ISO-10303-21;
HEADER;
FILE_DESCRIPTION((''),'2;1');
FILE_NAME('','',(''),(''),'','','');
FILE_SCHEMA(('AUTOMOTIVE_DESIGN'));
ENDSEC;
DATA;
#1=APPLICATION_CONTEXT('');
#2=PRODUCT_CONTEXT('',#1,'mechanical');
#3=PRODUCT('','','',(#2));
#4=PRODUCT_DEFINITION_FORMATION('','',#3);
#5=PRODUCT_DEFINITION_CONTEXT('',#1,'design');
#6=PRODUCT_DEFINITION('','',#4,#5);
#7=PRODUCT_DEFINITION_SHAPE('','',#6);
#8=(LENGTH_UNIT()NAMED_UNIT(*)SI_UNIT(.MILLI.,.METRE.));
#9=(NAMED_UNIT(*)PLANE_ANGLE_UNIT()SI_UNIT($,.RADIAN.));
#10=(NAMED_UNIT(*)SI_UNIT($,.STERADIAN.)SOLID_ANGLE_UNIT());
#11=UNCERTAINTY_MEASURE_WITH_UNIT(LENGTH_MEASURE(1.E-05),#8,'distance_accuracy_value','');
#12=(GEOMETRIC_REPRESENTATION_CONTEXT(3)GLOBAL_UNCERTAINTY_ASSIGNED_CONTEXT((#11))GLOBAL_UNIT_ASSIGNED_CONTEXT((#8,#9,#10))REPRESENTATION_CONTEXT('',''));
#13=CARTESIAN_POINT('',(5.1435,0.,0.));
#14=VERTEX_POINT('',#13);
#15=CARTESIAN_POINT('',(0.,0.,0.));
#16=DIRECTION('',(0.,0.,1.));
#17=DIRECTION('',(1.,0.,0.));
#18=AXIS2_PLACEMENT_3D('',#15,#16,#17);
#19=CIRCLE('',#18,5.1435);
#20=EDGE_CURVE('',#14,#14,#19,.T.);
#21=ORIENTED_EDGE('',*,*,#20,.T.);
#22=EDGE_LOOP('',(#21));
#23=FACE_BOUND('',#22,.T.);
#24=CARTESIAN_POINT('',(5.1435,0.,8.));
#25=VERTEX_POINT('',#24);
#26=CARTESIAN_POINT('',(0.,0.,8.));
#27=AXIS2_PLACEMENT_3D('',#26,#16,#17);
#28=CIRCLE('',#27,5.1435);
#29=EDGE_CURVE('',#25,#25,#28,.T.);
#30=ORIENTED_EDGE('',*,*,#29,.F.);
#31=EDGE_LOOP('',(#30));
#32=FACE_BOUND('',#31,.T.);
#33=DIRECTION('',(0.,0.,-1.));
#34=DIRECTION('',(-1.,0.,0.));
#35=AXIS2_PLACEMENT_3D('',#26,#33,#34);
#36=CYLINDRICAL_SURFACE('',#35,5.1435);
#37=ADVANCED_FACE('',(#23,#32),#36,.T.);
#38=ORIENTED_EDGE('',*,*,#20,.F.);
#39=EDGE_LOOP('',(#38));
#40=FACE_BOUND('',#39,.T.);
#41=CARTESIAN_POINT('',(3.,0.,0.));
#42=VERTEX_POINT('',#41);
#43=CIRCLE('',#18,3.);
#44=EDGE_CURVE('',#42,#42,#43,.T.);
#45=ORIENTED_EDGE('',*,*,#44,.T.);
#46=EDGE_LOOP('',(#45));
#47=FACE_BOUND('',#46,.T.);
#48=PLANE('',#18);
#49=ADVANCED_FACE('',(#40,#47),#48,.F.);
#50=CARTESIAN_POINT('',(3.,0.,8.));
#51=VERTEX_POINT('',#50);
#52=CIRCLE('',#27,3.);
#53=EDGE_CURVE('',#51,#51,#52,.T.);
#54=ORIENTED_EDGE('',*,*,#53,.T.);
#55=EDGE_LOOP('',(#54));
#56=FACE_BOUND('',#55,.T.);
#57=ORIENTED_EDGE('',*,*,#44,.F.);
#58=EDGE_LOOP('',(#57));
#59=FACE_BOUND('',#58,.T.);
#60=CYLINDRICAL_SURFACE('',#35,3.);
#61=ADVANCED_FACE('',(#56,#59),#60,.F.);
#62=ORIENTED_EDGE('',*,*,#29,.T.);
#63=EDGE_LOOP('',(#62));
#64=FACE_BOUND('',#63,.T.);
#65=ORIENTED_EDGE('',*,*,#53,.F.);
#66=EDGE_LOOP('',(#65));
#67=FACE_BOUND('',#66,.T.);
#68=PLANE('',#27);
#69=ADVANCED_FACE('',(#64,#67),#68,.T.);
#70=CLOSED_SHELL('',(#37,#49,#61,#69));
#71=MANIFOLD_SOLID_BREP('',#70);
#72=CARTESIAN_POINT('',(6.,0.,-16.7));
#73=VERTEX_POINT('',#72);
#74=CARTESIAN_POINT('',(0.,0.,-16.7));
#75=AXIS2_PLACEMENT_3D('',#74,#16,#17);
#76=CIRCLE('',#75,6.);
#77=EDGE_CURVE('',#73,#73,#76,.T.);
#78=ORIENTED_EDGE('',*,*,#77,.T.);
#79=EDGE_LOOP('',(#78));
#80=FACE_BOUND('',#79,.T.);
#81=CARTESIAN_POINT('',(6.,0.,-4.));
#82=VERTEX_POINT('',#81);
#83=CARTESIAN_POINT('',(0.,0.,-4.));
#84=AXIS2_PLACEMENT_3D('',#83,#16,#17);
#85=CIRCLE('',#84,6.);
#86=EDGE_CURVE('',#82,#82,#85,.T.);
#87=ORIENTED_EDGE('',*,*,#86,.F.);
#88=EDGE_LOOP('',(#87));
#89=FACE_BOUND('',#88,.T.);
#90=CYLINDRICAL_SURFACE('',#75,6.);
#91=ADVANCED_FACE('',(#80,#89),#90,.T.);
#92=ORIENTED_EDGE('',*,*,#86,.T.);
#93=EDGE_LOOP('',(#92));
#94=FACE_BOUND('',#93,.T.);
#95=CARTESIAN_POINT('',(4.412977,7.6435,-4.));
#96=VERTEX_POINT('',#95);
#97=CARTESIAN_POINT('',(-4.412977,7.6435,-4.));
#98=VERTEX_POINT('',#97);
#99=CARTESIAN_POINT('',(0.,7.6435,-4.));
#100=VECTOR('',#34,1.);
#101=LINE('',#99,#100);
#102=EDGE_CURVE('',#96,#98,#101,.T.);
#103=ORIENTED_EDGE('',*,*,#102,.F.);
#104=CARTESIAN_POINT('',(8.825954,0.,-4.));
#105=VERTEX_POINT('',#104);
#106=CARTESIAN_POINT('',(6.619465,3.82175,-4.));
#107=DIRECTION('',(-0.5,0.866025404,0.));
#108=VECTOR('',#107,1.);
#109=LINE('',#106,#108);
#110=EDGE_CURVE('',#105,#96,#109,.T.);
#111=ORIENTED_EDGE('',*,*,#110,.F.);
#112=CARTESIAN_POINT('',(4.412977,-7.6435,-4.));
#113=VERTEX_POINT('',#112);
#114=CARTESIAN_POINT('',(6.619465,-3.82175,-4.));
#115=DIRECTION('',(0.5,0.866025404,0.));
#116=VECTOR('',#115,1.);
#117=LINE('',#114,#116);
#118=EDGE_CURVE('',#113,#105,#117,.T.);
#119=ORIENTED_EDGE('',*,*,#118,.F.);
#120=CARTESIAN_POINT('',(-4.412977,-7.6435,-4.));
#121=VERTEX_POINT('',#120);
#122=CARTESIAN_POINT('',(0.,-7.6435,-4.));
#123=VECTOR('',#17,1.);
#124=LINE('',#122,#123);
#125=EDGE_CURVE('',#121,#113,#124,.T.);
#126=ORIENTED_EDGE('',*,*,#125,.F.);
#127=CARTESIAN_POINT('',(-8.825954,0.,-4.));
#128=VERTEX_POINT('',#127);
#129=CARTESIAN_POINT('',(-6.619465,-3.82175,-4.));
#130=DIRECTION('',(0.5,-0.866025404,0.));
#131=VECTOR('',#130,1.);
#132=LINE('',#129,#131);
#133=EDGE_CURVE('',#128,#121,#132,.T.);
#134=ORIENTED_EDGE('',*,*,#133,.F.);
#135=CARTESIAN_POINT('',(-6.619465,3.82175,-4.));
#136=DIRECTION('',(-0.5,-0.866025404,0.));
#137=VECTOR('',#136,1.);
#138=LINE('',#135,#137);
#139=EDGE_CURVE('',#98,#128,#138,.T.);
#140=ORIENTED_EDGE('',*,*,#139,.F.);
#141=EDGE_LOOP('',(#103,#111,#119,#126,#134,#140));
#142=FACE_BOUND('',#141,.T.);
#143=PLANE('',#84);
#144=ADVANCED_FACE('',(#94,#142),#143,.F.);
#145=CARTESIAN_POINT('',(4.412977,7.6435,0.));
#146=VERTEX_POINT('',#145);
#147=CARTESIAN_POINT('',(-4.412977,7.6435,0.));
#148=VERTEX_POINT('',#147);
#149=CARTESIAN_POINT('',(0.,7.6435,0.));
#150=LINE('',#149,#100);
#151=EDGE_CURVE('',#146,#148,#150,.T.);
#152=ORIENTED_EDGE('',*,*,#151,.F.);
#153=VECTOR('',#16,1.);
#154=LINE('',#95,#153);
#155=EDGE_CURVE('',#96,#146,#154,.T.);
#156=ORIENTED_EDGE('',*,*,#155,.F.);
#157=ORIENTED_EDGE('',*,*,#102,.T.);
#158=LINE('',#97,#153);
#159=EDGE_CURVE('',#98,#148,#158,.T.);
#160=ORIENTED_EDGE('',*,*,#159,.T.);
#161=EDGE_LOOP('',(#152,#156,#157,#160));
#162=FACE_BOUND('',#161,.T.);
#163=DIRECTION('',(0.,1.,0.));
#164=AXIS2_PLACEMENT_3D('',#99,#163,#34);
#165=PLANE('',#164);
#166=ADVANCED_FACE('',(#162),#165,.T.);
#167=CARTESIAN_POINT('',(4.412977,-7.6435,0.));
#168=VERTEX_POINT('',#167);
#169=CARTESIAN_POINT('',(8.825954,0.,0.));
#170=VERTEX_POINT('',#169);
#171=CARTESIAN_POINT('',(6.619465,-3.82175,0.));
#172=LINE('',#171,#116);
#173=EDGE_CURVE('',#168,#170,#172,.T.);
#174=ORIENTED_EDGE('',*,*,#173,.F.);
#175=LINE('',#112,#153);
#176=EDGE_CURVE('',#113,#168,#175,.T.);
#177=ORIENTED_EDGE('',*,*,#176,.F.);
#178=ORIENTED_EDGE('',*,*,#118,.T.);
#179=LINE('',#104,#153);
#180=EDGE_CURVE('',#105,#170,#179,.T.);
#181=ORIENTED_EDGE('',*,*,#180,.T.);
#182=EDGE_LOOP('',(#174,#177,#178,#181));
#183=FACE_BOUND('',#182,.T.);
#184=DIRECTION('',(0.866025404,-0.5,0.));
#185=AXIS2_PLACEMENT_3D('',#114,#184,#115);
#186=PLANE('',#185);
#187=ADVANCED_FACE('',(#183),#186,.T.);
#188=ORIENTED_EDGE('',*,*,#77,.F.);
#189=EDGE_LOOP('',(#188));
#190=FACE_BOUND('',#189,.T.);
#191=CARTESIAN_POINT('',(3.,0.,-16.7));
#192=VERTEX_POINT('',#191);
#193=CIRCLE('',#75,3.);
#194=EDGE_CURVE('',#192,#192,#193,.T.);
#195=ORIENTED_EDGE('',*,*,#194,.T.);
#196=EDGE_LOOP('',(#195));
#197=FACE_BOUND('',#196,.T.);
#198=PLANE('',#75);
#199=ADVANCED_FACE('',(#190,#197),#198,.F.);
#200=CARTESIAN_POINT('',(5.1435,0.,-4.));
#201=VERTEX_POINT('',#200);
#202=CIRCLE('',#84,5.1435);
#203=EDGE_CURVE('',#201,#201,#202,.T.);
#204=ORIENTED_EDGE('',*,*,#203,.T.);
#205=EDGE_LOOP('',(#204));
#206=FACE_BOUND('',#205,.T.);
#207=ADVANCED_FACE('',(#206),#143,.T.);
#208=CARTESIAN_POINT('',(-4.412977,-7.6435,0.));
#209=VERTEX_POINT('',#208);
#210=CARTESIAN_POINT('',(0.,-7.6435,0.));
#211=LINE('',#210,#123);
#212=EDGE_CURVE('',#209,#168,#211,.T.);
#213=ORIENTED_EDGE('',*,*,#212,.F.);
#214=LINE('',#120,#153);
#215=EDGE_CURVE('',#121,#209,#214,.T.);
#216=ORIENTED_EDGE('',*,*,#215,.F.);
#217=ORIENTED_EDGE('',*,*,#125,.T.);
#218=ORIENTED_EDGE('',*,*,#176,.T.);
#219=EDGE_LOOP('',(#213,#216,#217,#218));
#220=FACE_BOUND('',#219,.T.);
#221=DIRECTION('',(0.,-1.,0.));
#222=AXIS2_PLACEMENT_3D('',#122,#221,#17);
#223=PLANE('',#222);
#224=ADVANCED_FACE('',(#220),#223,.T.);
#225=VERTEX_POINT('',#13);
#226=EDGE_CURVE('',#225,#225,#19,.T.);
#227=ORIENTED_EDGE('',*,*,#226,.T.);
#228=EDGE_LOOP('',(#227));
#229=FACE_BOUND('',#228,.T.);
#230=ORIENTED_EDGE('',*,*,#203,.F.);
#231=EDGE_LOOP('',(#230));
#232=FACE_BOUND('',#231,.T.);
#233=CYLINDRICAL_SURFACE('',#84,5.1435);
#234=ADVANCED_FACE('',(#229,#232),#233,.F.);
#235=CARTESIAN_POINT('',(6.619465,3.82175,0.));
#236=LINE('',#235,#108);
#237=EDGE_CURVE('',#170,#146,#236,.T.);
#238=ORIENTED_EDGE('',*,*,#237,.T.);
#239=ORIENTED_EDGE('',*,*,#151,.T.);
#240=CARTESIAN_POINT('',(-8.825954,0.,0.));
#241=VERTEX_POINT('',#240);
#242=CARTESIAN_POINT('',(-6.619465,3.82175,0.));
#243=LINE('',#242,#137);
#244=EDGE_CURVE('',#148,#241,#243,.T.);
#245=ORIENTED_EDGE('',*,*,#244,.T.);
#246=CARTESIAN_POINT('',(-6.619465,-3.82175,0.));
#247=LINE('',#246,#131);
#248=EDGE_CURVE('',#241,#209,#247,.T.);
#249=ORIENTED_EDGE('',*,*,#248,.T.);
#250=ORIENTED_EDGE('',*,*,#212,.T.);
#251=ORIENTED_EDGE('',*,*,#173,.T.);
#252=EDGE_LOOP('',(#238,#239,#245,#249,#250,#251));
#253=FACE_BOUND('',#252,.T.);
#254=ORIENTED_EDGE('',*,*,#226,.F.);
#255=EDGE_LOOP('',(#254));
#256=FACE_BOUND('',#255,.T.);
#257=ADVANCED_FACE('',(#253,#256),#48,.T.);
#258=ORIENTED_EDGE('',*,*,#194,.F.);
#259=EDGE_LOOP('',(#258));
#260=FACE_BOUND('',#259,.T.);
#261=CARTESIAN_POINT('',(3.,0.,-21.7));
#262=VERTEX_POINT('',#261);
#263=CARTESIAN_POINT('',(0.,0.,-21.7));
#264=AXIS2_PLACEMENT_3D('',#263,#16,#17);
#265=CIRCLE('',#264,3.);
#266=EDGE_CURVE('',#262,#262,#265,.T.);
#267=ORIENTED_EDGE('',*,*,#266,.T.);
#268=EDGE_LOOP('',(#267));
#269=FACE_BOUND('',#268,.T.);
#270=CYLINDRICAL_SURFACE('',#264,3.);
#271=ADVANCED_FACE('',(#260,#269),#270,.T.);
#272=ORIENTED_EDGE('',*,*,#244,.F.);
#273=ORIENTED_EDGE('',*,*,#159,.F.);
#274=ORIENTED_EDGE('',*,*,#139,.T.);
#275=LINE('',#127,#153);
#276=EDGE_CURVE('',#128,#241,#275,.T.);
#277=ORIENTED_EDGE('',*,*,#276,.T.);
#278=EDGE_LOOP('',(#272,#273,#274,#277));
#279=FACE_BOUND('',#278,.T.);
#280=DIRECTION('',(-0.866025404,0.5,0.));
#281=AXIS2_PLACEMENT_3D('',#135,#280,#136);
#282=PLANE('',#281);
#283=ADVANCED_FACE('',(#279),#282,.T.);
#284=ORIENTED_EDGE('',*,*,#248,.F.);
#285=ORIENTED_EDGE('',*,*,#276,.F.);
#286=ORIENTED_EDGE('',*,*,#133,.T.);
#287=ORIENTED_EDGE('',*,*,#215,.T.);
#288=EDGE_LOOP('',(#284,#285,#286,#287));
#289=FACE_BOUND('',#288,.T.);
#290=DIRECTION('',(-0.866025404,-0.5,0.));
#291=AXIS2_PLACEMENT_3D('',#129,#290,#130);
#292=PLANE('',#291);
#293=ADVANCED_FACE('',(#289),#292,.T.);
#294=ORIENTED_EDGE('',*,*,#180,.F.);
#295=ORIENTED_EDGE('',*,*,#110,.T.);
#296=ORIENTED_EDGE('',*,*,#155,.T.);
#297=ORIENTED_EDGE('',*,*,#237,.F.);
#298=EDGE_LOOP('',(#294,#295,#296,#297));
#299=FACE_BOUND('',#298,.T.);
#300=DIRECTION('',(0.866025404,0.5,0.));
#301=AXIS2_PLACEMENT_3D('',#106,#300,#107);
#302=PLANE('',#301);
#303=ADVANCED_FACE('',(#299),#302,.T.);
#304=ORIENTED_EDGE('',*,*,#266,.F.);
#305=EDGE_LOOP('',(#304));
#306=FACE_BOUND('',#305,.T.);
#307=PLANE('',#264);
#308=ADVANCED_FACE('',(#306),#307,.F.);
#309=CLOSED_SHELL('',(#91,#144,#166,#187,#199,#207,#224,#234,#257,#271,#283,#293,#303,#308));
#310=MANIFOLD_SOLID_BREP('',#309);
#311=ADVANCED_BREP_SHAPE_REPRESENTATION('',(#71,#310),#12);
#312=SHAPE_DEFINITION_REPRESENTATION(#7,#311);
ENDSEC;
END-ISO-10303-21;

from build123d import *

# Parameters (mm, degrees)
SKETCH1_R           = 5.1435
SKETCH1_R_2         = 3
BOSS_EXTRUDE1_DEPTH = 8
SKETCH1_3_R         = 5.1435
BOSS_EXTRUDE2_DEPTH = 4
BOSS_EXTRUDE3_START = -4
SKETCH1_5_R         = 6
SKETCH1_5_R_2       = 5.1435
SKETCH1_5_R_3       = 3
BOSS_EXTRUDE3_DEPTH = 12.7
BOSS_EXTRUDE4_START = -16.7
SKETCH1_7_R         = 3
BOSS_EXTRUDE4_DEPTH = 5


with BuildPart() as part:
    # Sketch1 → Boss-Extrude1 (new body)
    with BuildSketch(Plane.XY):
        Circle(SKETCH1_R)
        Circle(SKETCH1_R_2, mode=Mode.SUBTRACT)
    extrude(amount=BOSS_EXTRUDE1_DEPTH)


with BuildPart() as body_2:
    # Sketch1<3> → Boss-Extrude2 (new body)
    with BuildSketch(Plane.XY):
        Polygon((8.825953565, 0), (4.412976783, 7.6435), (-4.412976783, 7.6435), (-8.825953565, 0), (-4.412976783, -7.6435), (4.412976783, -7.6435), align=None)
        Circle(SKETCH1_3_R, mode=Mode.SUBTRACT)
    extrude(amount=-BOSS_EXTRUDE2_DEPTH)

    # Sketch1<5> → Boss-Extrude3 (add)
    with BuildSketch(Plane.XY.offset(BOSS_EXTRUDE3_START)):
        Circle(SKETCH1_5_R)
        Circle(SKETCH1_5_R_2, mode=Mode.SUBTRACT)
        Circle(SKETCH1_5_R_2)
        Circle(SKETCH1_5_R_3, mode=Mode.SUBTRACT)
        Circle(SKETCH1_5_R_3)
    extrude(amount=-BOSS_EXTRUDE3_DEPTH)

    # Sketch1<7> → Boss-Extrude4 (add)
    with BuildSketch(Plane.XY.offset(BOSS_EXTRUDE4_START)):
        Circle(SKETCH1_7_R)
    extrude(amount=-BOSS_EXTRUDE4_DEPTH)


solid = Compound([part.part, body_2.part])
